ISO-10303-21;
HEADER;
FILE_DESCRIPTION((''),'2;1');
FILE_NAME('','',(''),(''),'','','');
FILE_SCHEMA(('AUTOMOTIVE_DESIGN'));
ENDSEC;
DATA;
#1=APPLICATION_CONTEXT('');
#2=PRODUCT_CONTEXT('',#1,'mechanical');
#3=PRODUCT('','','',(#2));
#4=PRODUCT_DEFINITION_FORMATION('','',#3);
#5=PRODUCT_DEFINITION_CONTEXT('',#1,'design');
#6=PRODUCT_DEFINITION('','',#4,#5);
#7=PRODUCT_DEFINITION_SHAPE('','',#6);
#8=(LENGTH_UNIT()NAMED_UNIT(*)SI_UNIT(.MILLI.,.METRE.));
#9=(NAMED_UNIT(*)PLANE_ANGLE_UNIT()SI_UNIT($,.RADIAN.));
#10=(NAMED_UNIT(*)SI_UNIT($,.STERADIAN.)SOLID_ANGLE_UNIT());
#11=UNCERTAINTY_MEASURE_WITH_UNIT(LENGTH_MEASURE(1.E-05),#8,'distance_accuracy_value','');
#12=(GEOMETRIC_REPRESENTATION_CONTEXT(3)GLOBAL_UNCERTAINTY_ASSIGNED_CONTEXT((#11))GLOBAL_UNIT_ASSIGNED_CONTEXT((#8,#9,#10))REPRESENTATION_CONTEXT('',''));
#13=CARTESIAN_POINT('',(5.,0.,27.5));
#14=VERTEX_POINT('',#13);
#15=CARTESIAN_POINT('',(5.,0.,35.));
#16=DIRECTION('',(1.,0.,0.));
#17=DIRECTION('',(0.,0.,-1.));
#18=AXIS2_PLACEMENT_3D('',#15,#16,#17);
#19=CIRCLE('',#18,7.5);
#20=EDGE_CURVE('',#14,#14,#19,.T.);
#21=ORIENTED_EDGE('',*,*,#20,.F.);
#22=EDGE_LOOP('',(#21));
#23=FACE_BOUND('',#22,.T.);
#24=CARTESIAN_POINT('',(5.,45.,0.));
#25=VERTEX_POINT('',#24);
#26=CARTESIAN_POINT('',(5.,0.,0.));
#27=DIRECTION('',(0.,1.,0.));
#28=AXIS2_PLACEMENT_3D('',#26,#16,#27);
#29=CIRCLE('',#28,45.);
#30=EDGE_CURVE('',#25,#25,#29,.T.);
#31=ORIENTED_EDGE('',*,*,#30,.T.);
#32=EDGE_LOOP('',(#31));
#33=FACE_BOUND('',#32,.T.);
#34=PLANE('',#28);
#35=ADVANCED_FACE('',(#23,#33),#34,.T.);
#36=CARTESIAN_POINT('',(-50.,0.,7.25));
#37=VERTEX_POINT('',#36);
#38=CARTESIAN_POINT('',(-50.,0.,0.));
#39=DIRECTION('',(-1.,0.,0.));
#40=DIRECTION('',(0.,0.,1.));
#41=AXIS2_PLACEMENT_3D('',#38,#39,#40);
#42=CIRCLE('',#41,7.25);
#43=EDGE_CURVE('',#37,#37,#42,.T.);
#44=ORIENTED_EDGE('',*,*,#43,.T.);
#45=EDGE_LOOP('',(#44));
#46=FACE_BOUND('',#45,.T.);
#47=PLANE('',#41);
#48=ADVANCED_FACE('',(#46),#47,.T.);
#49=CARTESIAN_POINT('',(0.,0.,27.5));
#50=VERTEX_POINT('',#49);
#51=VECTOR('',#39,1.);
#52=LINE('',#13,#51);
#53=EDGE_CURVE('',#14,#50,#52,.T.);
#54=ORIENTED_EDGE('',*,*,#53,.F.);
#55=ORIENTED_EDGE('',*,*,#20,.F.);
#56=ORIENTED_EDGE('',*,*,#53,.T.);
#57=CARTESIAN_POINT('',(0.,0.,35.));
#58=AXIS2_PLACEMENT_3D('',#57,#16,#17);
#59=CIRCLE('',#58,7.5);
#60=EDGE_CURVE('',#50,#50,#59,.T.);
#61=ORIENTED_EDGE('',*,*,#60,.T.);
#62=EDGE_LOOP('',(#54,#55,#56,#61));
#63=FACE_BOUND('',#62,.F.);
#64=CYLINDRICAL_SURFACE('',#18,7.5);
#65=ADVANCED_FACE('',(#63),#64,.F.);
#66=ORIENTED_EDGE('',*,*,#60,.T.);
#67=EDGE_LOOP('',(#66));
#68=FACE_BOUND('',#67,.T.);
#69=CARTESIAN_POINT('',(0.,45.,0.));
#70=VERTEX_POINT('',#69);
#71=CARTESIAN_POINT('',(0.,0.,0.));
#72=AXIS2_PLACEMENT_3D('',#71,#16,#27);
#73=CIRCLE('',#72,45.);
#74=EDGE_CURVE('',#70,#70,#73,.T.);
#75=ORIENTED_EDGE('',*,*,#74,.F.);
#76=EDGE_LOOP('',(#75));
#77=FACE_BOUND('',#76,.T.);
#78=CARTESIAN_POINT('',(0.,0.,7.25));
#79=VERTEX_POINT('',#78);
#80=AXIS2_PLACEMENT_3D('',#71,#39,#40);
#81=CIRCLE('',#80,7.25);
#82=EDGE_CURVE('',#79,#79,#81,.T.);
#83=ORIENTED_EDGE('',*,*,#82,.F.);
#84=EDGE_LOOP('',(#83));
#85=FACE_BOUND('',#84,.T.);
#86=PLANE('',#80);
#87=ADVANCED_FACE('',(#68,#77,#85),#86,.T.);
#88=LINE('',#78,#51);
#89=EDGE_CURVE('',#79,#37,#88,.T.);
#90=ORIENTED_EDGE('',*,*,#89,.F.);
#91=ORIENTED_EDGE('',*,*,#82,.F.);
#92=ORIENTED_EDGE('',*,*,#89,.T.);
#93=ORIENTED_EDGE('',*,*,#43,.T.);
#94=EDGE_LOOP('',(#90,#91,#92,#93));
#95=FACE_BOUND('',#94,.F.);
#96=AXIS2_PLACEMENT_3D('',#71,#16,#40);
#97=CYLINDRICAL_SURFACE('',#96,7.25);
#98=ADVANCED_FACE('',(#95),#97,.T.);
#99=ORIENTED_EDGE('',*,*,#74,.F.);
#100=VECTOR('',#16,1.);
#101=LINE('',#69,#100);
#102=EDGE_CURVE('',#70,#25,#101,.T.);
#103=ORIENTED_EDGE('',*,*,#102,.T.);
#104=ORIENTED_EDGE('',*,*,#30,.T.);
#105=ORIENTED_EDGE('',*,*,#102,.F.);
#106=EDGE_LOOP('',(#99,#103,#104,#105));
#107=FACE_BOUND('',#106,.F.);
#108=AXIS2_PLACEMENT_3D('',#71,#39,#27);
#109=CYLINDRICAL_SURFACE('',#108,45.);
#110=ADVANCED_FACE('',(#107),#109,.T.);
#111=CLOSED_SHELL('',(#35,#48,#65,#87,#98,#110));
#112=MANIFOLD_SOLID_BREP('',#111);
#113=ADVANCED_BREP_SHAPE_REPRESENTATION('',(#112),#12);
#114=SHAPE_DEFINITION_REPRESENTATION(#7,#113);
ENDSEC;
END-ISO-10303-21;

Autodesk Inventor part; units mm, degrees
ref_plane "YZ Plane" through (0, 0, 0) normal (1, 0, 0) x (0, 1, 0)
ref_plane "XZ Plane" through (0, 0, 0) normal (0, 1, 0) x (-1, 0, 0)
ref_plane "XY Plane" through (0, 0, 0) normal (0, 0, 1) x (1, 0, 0)
sketch "Sketch1" plane through (0, 0, 0) normal (1, 0, 0) x (0, 1, 0)
  circle A0 centre (0, 0) radius 45
  circle A1 centre (0, 0) radius 7.5
  dimension "d0" = 90
  dimension "d1" = 15
extrude "Extrusion1" add sketch "Sketch1" along normal blind 5
sketch "Sketch2" plane through (5, 0, 0) normal (1, 0, 0) x (0, 0, -1)
  line L0 (0, 0) -> (-35, 0)
  circle A0 centre (-35, 0) radius 7.5
  dimension "d6" = 35
  dimension "d7" = 15
extrude "Extrusion2" cut sketch "Sketch2" against normal blind 5
sketch "Sketch3" plane through (5, 0, 0) normal (1, 0, 0) x (0, 0, -1)
  point P0 (0, 0)
sketch "Sketch4" plane through (0, 0, 0) normal (-1, 0, 0) x (0, 0, 1)
  circle A0 centre (0, 0) radius 7.5 projected
  circle A1 centre (0, 0) radius 7.5
extrude "Extrusion3" add sketch "Sketch4" against normal blind 5
sketch "Sketch5" plane through (5, 0, 0) normal (1, 0, 0) x (0, 0, -1)
  point P0 (0, 0)
sketch "Sketch6" plane through (0, 0, 0) normal (-1, 0, 0) x (0, 0, 1)
  circle A0 centre (0, 0) radius 7.25
  dimension "d12" = 14.5
extrude "Extrusion4" add sketch "Sketch6" along normal blind 50
equation "\"BendRadius\" = Thickness"
equation "\"BendReliefWidth\" = Thickness"
equation "\"BendReliefDepth\" = 0.5 * Thickness"
equation "\"CornerReliefSize\" = 4 * Thickness"
equation "\"MinimumRemnant\" = 2 * Thickness"
equation "\"TransitionRadius\" = BendRadius"
equation "\"JacobiRadiusSize\" = BendRadius"
equation "\"GapSize\" = Thickness"
equation "\"Thickness\" = 0.5"
properties part number "Manivela"
